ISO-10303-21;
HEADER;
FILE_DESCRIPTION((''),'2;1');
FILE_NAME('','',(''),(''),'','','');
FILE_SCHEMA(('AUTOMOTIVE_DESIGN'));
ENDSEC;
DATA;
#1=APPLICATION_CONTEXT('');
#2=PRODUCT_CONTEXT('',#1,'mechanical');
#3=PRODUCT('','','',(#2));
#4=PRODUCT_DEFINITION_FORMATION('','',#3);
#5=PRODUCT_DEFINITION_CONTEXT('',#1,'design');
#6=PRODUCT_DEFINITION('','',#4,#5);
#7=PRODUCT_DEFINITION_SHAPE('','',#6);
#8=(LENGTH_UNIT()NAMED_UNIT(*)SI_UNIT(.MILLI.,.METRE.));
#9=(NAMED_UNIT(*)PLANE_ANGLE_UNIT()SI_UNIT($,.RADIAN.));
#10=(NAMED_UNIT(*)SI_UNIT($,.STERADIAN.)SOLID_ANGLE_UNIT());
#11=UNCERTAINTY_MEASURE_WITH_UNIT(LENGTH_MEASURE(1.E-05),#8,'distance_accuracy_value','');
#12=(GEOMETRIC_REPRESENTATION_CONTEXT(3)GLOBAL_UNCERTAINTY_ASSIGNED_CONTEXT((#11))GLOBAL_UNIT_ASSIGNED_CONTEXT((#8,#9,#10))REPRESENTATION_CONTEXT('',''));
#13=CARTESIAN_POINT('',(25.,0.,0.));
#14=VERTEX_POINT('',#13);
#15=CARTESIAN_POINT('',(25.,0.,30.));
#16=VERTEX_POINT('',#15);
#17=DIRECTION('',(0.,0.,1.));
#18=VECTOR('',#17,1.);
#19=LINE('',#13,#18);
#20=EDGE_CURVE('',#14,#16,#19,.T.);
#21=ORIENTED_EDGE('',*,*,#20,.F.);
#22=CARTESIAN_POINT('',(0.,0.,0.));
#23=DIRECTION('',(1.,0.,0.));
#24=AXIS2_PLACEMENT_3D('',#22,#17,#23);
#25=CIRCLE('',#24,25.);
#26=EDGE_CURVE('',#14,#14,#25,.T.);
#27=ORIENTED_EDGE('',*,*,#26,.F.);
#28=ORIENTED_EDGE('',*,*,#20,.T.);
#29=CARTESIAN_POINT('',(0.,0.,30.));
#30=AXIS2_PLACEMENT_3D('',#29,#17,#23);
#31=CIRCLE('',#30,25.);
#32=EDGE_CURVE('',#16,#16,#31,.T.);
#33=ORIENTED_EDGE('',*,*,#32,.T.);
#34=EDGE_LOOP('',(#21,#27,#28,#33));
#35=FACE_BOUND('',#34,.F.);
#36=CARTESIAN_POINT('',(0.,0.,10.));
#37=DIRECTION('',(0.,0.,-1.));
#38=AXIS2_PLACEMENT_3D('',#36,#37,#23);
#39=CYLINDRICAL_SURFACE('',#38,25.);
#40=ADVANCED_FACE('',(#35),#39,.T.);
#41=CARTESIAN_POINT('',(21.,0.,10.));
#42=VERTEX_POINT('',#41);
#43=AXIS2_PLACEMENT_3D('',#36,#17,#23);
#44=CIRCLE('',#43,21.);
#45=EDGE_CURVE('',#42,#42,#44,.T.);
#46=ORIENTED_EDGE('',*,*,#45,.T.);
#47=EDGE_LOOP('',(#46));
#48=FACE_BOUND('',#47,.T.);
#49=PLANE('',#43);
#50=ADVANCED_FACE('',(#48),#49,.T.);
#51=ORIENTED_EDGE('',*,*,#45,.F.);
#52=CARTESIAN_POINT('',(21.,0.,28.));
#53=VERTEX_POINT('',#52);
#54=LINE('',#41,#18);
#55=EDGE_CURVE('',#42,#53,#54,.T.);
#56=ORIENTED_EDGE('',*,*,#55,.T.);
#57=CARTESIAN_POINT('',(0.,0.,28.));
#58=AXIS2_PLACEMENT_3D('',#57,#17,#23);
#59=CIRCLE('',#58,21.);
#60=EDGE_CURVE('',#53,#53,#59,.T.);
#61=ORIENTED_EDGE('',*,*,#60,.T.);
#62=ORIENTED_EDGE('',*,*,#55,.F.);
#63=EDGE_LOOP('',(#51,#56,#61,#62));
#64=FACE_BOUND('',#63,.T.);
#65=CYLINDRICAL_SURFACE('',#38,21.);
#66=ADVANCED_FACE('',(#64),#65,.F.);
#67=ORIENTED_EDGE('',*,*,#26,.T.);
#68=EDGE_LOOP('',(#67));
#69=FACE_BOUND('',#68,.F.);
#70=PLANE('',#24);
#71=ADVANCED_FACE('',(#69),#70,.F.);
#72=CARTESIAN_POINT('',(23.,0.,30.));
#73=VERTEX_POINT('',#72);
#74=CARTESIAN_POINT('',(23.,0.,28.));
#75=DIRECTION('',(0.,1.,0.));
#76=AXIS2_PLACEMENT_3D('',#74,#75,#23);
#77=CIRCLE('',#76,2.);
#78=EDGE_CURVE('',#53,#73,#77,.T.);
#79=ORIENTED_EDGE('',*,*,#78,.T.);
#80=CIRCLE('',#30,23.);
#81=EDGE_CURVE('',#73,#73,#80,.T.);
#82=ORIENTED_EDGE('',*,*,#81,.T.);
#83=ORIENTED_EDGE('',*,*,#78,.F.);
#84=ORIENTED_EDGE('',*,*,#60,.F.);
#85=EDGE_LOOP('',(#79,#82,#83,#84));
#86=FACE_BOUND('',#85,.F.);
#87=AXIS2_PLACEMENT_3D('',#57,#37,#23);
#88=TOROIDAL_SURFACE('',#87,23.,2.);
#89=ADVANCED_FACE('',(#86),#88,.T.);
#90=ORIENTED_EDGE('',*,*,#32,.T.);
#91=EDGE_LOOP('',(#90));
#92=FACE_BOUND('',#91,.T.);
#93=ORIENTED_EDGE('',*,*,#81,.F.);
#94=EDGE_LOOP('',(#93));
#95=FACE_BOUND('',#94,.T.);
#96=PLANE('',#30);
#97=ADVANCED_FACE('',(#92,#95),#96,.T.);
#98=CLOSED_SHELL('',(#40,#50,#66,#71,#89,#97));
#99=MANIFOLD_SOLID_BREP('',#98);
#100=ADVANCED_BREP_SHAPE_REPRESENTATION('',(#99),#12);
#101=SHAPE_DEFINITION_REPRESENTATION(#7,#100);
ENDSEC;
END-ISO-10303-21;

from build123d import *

# Parameters (mm, degrees)
TUBE_R         = 25
TUBE_R_2       = 21
TUBE_DEPTH     = 20
FILLET_R       = 2
CYLINDER_R     = 25
CYLINDER_DEPTH = 10


with BuildPart() as fillet_body:
    # Tube → Tube (new body)
    with BuildSketch(Plane.XY.offset(10)):
        Circle(TUBE_R)
        Circle(TUBE_R_2, mode=Mode.SUBTRACT)
    extrude(amount=TUBE_DEPTH)

    # Fillet
    fillet_edges = [fillet_body.edges().sort_by_distance(p)[0] for p in [
        (-21, 0, 30),
    ]]
    fillet(fillet_edges, radius=FILLET_R)


with BuildPart() as fusion:
    # Cylinder → Cylinder (new body)
    with BuildSketch(Plane.XY):
        Circle(CYLINDER_R)
    extrude(amount=CYLINDER_DEPTH)

    # Fusion: union Fillet body
    add(fillet_body.part)


solid = fusion.part
